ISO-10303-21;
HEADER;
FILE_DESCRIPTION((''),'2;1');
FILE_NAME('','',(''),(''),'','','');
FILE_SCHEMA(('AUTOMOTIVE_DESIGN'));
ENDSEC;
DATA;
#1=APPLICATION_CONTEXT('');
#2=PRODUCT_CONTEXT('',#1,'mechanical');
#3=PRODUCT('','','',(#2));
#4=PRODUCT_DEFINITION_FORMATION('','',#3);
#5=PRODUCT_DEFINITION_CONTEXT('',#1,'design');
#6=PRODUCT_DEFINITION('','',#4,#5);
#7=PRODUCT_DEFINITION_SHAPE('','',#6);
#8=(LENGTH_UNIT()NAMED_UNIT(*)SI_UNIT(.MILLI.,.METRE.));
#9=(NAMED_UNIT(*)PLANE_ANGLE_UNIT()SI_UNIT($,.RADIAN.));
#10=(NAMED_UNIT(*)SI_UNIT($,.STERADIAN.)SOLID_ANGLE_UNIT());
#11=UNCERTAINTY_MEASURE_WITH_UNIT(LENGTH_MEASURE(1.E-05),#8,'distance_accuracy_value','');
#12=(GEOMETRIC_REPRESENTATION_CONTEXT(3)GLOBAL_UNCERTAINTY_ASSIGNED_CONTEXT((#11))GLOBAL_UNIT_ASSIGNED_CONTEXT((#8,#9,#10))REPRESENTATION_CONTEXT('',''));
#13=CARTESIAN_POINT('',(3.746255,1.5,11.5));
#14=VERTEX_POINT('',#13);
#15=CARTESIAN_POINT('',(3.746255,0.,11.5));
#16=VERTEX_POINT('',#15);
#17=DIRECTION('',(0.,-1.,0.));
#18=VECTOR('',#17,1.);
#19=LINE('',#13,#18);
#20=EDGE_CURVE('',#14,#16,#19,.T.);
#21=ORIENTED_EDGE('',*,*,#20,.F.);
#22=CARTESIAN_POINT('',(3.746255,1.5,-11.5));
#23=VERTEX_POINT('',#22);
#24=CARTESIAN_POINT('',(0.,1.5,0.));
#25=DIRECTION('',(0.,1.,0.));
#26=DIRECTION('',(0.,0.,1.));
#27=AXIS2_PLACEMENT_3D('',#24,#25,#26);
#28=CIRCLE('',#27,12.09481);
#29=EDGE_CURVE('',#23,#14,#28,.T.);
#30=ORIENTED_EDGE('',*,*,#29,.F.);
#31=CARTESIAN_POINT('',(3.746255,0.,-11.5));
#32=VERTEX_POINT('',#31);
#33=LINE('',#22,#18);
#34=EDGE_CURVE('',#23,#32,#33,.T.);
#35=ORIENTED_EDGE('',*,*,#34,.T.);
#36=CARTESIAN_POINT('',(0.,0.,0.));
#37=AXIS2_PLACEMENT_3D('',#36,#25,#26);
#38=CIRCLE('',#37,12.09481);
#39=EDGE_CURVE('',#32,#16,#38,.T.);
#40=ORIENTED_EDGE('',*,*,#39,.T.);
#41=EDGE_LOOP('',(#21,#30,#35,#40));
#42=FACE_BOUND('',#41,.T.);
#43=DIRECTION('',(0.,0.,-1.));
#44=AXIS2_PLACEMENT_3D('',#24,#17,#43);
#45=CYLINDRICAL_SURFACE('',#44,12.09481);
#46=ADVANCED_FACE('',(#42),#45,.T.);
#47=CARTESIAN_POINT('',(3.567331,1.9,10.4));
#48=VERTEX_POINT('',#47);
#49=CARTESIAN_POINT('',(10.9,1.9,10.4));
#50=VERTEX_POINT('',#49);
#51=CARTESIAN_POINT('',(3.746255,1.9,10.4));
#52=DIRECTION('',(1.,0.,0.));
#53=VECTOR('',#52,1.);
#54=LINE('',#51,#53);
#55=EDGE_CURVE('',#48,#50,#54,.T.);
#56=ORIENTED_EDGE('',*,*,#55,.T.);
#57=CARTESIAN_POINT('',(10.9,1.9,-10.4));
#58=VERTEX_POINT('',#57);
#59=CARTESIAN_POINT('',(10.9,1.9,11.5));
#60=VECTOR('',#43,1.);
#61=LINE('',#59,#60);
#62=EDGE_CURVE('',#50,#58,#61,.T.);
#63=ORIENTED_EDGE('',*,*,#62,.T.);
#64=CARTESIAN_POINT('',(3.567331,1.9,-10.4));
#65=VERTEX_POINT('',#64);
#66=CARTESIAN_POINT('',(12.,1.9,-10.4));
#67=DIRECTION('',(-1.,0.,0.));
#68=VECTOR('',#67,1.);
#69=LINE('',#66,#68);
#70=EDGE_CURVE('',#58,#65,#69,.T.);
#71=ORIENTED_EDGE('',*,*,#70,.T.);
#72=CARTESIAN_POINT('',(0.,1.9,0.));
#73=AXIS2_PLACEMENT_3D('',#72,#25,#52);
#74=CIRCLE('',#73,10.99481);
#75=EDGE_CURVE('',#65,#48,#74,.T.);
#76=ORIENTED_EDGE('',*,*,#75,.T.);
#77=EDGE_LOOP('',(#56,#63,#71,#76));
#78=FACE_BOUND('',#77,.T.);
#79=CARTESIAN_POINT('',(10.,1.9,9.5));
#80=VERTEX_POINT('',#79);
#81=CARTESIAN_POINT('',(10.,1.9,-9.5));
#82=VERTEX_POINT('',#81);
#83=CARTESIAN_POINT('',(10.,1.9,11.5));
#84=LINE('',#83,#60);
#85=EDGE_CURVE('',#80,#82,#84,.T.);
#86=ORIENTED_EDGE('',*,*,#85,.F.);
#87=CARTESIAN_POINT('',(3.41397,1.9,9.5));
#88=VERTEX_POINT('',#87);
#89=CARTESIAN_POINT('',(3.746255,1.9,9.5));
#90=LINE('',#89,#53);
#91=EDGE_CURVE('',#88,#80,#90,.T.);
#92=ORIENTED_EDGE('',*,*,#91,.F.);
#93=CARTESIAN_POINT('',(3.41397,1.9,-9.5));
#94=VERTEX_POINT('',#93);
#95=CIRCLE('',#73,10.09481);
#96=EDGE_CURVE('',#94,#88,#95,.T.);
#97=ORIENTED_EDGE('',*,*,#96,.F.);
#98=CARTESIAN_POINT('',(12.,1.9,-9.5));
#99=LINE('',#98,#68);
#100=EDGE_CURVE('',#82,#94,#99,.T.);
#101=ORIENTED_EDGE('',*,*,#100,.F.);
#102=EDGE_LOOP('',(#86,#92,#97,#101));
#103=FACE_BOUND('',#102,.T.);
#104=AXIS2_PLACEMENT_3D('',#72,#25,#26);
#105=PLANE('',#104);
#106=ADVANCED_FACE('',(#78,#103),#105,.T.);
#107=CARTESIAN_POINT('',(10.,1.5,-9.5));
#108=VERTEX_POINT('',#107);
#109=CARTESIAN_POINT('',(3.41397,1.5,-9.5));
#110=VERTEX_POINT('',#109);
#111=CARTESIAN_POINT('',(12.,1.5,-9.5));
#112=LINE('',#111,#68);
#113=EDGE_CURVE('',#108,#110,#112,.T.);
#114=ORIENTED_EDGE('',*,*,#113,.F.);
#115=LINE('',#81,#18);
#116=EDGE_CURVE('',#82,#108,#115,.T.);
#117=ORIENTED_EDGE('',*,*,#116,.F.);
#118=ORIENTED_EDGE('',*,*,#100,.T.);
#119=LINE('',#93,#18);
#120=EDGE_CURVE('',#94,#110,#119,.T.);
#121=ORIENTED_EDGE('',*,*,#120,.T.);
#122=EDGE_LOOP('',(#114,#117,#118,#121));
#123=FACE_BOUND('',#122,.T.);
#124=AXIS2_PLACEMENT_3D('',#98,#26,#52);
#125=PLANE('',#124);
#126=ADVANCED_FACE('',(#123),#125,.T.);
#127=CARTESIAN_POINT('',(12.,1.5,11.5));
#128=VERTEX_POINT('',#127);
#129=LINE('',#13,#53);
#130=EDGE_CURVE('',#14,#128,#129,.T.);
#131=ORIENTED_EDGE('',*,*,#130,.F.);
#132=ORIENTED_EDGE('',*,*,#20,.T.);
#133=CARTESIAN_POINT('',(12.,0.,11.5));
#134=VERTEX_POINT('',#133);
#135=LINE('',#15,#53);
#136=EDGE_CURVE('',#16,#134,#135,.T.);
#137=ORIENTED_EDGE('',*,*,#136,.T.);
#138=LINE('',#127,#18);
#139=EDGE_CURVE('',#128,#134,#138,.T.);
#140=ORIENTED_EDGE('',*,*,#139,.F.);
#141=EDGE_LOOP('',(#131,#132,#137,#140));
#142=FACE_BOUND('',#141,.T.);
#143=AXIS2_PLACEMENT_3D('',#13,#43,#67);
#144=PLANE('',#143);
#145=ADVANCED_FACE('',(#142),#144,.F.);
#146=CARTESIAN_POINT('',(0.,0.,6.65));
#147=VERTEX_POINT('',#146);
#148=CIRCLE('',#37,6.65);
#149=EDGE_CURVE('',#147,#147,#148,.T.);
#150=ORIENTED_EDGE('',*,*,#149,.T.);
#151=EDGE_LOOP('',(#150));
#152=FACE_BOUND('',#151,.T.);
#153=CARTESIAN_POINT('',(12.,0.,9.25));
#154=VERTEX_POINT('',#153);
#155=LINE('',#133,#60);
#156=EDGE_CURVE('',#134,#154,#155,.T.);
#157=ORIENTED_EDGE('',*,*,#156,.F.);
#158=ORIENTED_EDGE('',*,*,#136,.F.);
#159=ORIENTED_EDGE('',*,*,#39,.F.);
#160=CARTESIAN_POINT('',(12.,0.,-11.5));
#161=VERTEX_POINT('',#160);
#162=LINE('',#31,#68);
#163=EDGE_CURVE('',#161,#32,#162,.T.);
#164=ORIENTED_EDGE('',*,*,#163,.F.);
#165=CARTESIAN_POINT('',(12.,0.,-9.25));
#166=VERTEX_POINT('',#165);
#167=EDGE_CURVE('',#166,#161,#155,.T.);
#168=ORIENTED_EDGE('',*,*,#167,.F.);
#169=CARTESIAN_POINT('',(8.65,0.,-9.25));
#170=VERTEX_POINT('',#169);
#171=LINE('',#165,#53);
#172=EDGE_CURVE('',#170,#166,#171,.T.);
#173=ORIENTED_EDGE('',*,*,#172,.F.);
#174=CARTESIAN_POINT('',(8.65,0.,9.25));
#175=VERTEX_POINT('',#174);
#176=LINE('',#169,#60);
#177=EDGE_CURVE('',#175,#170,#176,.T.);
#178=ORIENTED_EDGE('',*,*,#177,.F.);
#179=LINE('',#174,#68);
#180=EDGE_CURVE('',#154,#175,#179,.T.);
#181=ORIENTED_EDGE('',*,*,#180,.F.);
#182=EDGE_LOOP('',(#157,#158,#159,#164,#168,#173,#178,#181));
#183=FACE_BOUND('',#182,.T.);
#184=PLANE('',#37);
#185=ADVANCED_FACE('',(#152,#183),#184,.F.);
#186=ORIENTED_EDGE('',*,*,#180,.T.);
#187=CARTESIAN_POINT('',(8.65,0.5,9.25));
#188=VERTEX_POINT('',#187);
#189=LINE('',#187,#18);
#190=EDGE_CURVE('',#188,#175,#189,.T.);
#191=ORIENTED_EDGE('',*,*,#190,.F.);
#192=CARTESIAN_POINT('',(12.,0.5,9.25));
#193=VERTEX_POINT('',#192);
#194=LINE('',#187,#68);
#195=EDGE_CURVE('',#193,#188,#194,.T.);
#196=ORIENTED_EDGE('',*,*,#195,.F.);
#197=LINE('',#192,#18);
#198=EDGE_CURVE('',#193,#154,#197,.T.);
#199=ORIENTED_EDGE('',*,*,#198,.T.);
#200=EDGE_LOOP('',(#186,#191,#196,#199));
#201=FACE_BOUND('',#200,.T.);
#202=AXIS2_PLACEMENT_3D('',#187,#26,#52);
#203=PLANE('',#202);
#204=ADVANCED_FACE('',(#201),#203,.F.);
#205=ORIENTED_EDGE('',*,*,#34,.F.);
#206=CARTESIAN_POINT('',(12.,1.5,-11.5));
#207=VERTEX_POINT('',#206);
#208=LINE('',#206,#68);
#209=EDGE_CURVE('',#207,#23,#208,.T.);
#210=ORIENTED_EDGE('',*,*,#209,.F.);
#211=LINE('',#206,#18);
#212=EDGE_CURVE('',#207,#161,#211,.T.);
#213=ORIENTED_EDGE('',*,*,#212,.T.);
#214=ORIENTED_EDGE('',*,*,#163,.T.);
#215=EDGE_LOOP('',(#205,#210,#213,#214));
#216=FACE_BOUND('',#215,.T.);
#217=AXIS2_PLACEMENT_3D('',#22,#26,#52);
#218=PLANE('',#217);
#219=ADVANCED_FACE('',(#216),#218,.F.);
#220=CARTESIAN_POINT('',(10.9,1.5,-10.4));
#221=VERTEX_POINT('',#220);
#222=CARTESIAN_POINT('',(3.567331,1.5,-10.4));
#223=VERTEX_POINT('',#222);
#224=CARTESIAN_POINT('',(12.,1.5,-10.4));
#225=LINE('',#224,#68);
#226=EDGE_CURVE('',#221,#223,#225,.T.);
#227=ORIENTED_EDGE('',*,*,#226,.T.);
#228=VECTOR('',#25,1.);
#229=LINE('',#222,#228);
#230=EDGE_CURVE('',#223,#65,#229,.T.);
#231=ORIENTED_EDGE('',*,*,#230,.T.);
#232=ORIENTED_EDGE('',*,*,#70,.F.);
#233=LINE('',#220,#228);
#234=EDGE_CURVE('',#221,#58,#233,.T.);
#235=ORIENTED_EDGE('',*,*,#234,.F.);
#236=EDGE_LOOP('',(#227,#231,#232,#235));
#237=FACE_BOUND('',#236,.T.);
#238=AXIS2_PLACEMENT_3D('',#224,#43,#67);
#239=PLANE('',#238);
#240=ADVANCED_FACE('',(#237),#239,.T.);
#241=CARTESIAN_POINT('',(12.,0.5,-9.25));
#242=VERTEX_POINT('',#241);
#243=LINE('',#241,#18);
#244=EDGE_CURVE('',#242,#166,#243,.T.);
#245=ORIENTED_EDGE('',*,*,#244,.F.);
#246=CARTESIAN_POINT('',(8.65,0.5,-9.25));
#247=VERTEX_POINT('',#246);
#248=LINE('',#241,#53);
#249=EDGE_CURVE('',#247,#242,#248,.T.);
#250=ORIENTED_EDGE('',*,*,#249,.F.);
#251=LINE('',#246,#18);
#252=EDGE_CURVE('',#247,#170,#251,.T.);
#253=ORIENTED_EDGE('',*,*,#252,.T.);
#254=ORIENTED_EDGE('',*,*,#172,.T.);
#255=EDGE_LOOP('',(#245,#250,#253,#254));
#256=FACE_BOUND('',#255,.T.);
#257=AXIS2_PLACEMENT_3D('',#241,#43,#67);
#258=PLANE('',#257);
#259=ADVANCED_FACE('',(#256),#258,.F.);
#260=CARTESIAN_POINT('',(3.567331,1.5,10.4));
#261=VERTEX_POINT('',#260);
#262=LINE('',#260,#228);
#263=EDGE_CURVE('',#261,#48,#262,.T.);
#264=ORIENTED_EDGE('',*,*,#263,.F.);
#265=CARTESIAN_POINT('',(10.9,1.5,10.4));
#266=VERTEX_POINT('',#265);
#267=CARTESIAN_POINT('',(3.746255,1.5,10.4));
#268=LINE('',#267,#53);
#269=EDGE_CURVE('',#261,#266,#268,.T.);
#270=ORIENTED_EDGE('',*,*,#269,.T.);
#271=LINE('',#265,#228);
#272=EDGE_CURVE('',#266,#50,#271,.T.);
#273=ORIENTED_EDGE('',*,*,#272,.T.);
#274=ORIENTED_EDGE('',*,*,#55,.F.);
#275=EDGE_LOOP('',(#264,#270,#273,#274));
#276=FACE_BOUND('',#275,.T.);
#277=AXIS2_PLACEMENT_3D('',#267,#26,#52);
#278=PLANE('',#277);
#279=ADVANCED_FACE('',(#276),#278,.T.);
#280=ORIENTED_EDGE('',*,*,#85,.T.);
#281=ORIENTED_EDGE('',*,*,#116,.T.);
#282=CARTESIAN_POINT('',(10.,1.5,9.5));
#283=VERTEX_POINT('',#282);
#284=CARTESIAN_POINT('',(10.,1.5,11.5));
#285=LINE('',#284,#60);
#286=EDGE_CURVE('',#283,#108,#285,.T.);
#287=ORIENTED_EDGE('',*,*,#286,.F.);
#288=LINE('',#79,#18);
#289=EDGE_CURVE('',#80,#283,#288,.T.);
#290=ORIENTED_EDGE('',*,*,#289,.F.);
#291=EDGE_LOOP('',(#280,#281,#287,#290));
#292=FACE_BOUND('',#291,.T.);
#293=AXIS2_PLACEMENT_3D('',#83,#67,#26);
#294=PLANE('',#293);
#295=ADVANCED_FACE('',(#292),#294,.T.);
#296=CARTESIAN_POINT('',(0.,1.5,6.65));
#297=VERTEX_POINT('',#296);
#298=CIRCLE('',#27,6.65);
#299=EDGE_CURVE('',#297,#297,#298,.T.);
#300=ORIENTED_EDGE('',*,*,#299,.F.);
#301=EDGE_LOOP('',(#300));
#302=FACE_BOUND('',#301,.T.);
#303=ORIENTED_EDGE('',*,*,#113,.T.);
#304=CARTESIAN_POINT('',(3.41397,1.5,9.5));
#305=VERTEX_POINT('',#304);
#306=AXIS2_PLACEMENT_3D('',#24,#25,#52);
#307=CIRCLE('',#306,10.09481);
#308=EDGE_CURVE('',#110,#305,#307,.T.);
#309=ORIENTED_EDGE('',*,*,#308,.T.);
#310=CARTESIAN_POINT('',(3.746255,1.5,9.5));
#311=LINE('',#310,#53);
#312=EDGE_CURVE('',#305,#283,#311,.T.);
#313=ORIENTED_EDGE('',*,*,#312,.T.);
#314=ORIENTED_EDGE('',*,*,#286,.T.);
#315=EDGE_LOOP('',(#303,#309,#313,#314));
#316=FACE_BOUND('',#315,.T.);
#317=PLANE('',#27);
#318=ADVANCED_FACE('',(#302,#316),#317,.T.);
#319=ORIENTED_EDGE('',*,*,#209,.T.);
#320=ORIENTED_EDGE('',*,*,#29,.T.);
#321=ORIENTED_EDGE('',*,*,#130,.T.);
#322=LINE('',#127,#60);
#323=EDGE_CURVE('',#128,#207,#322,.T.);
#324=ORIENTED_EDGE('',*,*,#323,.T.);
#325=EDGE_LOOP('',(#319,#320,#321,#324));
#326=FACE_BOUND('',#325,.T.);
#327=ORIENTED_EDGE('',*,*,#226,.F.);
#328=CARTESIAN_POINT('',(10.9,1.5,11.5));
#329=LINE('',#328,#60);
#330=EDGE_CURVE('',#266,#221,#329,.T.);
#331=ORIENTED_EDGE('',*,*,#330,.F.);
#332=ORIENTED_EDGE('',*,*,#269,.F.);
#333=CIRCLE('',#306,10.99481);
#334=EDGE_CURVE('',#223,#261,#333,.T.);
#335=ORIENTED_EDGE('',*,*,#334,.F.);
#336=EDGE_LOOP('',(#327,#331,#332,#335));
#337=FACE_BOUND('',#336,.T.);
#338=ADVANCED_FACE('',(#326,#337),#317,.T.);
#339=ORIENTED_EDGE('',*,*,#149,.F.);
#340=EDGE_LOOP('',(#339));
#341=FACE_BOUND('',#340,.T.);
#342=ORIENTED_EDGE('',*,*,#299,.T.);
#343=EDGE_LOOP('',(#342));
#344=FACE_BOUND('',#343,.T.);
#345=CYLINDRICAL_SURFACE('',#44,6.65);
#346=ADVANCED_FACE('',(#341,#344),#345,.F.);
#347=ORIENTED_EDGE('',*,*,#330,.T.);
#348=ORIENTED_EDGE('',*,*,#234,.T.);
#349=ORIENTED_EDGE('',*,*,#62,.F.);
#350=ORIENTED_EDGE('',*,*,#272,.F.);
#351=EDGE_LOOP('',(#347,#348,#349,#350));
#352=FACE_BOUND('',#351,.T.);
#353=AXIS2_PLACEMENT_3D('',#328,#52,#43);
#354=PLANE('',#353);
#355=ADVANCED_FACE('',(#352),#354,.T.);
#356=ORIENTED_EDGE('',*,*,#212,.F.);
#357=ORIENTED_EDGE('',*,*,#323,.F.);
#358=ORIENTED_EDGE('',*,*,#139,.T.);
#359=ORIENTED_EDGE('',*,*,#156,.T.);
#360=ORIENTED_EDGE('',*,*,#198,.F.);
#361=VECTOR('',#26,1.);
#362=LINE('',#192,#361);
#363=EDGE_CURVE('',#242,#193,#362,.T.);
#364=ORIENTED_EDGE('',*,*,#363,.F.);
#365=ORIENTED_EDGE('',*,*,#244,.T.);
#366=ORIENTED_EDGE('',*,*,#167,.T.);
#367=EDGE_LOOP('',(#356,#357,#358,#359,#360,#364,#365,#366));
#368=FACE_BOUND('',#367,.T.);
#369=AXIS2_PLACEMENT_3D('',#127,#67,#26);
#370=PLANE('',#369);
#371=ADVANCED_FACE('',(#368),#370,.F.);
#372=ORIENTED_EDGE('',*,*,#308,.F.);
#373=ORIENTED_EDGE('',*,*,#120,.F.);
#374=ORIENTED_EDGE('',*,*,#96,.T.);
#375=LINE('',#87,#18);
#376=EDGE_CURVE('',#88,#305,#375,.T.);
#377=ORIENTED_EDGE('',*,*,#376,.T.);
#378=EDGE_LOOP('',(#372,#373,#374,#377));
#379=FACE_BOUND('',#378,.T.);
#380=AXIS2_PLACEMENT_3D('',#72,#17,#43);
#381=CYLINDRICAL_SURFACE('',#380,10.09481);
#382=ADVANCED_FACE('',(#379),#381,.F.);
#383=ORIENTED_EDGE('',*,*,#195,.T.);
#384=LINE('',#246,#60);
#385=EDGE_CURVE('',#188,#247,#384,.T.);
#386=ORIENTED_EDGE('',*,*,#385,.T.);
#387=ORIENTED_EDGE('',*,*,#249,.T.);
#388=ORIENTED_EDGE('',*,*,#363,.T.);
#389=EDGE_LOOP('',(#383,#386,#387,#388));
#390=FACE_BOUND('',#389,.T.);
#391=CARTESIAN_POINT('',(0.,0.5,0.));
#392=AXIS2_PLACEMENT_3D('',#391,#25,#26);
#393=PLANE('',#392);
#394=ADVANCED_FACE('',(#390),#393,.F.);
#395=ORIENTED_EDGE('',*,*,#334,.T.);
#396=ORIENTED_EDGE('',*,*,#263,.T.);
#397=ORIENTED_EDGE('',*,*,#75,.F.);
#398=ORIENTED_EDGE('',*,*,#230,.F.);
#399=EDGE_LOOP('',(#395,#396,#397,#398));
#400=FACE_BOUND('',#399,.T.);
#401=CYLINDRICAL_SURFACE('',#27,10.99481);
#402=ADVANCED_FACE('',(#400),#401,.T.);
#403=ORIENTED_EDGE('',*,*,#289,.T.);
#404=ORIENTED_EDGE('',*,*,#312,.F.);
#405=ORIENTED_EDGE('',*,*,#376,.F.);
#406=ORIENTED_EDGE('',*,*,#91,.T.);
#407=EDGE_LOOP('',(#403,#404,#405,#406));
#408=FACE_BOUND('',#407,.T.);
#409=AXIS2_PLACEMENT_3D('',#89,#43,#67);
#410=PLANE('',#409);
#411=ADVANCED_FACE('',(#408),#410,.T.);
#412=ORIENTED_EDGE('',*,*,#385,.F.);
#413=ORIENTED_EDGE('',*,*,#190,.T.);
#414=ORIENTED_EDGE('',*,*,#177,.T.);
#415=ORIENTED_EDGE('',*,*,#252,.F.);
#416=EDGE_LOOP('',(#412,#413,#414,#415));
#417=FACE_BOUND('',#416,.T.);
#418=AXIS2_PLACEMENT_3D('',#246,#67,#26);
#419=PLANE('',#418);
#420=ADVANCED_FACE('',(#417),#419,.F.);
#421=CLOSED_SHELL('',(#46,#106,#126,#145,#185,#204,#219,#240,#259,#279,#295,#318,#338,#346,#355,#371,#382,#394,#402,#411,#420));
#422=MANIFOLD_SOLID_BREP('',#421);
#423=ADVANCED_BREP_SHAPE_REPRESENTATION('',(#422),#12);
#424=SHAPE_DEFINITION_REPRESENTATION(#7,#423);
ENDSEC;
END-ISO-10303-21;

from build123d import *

# Parameters (mm, degrees)
SKETCH_1_R            = 6.65
EXTRUDE_1_DEPTH       = 1.5
SKETCH_2_W            = 3.35
SKETCH_2_H            = 18.5
CUT_EXTRUDE_1_DEPTH   = 0.5
EXTRUDE_1_2_DEPTH     = 0.4
CUT_EXTRUDE_1_2_DEPTH = 0.4


with BuildPart() as part:
    # Эскиз1 → Extrude 1 (new body)
    with BuildSketch(Plane(origin=(0, 0, 0), x_dir=(1, 0, 0), z_dir=(0, 1, 0))):
        with BuildLine():
            Line((3.746255484, -11.5), (12, -11.5))
            Line((12, -11.5), (12, 11.5))
            Line((12, 11.5), (7.873127742, 11.5))
            Line((7.873127742, 11.5), (3.746255484, 11.5))
            ThreePointArc((3.746255484, 11.5), (-12.09481005, 0), (3.746255484, -11.5))
        make_face()
        Circle(SKETCH_1_R, mode=Mode.SUBTRACT)
    extrude(amount=EXTRUDE_1_DEPTH)

    # Эскиз2 → Cut-Extrude 1 (cut)
    with BuildSketch(Plane.XZ):
        with Locations((10.325, 0)):
            Rectangle(SKETCH_2_W, SKETCH_2_H)
    extrude(amount=-CUT_EXTRUDE_1_DEPTH, mode=Mode.SUBTRACT)

    # Эскиз3 → Extrude 1 2 (add)
    with BuildSketch(Plane(origin=(0, 1.5, 0), x_dir=(1, 0, 0), z_dir=(0, 1, 0))):
        with BuildLine():
            Line((3.746255484, -11.5), (12, -11.5))
            Line((12, -11.5), (12, 11.5))
            Line((12, 11.5), (3.746255484, 11.5))
            ThreePointArc((3.746255484, 11.5), (-12.09481005, 0), (3.746255484, -11.5))
        make_face()
        with BuildLine():
            Line((3.413969823, -9.5), (10, -9.5))
            Line((10, -9.5), (10, 9.5))
            Line((10, 9.5), (3.413969823, 9.5))
            ThreePointArc((3.413969823, 9.5), (-10.09481005, 0), (3.413969823, -9.5))
        make_face(mode=Mode.SUBTRACT)
    extrude(amount=EXTRUDE_1_2_DEPTH)

    # Эскиз4 → Cut-Extrude 1 2 (cut)
    with BuildSketch(Plane(origin=(0, 1.9, 0), x_dir=(1, 0, 0), z_dir=(0, 1, 0))):
        with BuildLine():
            Line((3.746255484, -11.5), (12, -11.5))
            Line((12, -11.5), (12, 11.5))
            Line((12, 11.5), (3.746255484, 11.5))
            ThreePointArc((3.746255484, 11.5), (-12.09481005, 0), (3.746255484, -11.5))
        make_face()
        with BuildLine():
            Line((3.56733066, -10.4), (10.9, -10.4))
            Line((10.9, -10.4), (10.9, 10.4))
            Line((10.9, 10.4), (3.56733066, 10.4))
            ThreePointArc((3.56733066, 10.4), (-10.99481005, 0), (3.56733066, -10.4))
        make_face(mode=Mode.SUBTRACT)
    extrude(amount=-CUT_EXTRUDE_1_2_DEPTH, mode=Mode.SUBTRACT)


solid = part.part
